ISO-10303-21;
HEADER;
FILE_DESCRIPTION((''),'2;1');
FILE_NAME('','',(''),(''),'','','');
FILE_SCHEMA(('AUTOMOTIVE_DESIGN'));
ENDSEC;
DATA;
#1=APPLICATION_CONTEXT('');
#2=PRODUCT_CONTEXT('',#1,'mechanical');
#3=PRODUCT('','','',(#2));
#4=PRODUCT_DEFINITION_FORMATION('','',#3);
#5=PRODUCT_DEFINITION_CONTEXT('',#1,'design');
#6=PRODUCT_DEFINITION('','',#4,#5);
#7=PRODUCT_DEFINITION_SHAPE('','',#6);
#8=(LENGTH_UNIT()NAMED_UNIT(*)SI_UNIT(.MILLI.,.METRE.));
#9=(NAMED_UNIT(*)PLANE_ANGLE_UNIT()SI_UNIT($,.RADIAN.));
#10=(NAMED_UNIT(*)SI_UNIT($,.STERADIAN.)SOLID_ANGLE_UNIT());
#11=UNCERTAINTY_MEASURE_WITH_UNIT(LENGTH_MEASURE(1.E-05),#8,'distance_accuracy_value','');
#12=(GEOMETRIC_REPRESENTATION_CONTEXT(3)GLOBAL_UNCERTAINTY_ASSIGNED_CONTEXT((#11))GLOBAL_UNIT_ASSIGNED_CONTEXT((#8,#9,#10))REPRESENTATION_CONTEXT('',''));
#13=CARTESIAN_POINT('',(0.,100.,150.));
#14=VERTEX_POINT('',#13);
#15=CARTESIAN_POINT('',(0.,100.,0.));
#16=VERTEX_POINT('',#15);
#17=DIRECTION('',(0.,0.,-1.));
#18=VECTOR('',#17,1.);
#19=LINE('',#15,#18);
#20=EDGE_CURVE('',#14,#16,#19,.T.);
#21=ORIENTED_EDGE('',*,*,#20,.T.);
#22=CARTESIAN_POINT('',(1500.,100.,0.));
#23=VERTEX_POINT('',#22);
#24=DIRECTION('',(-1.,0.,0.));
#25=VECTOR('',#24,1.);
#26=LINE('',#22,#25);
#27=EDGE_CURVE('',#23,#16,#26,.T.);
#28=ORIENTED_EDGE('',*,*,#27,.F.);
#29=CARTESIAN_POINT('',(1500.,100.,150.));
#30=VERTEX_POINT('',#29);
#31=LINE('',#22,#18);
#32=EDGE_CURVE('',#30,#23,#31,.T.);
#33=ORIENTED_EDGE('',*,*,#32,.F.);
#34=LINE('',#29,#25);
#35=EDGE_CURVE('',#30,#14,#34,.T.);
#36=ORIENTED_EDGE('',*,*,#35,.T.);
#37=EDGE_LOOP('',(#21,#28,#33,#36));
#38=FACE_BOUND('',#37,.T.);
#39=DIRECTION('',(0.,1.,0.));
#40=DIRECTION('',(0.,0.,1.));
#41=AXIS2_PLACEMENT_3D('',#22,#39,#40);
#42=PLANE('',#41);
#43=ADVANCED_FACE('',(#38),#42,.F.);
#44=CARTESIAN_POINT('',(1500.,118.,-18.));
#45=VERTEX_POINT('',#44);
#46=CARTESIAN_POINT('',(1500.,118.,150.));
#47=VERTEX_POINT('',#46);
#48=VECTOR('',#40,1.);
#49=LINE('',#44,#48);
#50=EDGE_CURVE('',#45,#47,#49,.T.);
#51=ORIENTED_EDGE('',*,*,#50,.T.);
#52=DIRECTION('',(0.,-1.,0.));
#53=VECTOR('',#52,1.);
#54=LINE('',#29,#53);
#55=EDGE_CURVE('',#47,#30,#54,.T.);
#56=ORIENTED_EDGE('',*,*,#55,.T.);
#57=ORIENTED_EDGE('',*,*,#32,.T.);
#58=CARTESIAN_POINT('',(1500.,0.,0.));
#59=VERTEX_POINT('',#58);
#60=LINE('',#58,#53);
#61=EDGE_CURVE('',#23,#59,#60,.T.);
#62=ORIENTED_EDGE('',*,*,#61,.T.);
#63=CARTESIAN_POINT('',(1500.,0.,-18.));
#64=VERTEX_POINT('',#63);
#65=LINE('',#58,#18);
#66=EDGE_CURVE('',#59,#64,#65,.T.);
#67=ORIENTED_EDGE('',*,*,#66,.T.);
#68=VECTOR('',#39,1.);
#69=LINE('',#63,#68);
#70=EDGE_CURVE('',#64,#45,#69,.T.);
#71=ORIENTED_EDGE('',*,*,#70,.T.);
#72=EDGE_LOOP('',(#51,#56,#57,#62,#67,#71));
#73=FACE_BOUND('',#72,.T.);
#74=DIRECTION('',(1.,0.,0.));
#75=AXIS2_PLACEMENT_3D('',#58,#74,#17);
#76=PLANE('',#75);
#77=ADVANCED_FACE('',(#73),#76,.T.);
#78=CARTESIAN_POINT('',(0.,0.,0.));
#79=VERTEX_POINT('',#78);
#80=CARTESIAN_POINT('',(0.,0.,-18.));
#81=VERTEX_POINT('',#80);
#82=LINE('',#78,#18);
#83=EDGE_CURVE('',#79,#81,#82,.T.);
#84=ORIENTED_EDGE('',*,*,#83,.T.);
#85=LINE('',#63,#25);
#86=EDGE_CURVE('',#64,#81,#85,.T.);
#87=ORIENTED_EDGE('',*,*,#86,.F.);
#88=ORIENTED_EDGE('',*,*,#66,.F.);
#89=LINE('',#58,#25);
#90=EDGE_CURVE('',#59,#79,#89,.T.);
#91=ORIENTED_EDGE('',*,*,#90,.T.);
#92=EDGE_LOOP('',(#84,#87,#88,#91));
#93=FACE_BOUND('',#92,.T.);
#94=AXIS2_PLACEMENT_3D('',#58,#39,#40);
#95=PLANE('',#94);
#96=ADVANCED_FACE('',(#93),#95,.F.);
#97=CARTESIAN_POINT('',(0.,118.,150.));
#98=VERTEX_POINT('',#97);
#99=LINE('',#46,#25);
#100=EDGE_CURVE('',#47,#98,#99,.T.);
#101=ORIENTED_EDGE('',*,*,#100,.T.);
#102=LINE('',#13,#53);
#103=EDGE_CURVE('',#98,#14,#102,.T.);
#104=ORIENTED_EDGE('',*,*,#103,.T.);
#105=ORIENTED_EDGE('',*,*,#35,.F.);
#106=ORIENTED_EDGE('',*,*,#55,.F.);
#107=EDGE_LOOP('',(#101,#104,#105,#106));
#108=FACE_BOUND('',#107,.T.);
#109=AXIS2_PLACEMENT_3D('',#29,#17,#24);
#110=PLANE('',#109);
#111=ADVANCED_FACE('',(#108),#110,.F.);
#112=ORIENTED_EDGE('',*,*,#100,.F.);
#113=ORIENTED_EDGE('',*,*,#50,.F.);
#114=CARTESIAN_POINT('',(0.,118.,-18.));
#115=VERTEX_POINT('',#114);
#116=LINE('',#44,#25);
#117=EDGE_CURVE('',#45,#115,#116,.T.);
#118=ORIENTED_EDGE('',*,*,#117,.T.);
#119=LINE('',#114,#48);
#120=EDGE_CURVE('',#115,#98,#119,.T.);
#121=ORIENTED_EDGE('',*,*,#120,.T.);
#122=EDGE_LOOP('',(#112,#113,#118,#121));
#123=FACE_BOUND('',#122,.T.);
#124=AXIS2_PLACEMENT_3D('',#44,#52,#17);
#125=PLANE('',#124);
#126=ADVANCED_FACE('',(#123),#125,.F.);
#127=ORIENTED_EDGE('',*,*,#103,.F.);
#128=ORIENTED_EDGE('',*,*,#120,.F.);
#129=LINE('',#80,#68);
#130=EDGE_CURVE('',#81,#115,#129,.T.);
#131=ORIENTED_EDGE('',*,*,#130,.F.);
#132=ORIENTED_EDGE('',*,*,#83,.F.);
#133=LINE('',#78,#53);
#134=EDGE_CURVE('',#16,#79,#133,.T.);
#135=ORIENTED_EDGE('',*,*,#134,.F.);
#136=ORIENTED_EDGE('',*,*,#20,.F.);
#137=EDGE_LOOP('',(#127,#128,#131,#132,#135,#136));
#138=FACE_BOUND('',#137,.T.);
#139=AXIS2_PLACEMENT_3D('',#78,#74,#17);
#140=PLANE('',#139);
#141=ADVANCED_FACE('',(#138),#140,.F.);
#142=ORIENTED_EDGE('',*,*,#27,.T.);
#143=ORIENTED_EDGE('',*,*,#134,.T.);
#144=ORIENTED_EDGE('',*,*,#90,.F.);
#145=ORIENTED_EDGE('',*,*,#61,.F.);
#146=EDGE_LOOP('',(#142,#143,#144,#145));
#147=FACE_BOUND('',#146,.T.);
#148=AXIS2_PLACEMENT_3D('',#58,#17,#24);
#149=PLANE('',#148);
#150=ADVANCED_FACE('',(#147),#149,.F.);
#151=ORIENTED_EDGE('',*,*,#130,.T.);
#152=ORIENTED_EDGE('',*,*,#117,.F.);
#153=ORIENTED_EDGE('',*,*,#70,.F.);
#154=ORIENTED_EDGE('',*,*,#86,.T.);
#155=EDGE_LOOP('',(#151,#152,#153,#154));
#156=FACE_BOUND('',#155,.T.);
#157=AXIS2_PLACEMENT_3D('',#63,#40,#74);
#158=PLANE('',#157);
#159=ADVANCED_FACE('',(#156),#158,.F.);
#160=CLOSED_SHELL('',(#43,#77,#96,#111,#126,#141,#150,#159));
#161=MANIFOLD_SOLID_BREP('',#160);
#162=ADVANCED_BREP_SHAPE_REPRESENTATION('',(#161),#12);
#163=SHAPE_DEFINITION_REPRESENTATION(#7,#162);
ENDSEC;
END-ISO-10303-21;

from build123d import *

# Parameters (mm, degrees)
AUFSATZ_LINEAR_AUSTRAGEN1_DEPTH = 1500


with BuildPart() as part:
    # Skizze1 → Aufsatz-Linear austragen1 (new body)
    with BuildSketch(Plane(origin=(0, 0, 0), x_dir=(0, 0, -1), z_dir=(1, 0, 0))):
        Polygon((0, 0), (0, 100), (-150, 100), (-150, 118), (18, 118), (18, 0), align=None)
    extrude(amount=AUFSATZ_LINEAR_AUSTRAGEN1_DEPTH)


solid = part.part
